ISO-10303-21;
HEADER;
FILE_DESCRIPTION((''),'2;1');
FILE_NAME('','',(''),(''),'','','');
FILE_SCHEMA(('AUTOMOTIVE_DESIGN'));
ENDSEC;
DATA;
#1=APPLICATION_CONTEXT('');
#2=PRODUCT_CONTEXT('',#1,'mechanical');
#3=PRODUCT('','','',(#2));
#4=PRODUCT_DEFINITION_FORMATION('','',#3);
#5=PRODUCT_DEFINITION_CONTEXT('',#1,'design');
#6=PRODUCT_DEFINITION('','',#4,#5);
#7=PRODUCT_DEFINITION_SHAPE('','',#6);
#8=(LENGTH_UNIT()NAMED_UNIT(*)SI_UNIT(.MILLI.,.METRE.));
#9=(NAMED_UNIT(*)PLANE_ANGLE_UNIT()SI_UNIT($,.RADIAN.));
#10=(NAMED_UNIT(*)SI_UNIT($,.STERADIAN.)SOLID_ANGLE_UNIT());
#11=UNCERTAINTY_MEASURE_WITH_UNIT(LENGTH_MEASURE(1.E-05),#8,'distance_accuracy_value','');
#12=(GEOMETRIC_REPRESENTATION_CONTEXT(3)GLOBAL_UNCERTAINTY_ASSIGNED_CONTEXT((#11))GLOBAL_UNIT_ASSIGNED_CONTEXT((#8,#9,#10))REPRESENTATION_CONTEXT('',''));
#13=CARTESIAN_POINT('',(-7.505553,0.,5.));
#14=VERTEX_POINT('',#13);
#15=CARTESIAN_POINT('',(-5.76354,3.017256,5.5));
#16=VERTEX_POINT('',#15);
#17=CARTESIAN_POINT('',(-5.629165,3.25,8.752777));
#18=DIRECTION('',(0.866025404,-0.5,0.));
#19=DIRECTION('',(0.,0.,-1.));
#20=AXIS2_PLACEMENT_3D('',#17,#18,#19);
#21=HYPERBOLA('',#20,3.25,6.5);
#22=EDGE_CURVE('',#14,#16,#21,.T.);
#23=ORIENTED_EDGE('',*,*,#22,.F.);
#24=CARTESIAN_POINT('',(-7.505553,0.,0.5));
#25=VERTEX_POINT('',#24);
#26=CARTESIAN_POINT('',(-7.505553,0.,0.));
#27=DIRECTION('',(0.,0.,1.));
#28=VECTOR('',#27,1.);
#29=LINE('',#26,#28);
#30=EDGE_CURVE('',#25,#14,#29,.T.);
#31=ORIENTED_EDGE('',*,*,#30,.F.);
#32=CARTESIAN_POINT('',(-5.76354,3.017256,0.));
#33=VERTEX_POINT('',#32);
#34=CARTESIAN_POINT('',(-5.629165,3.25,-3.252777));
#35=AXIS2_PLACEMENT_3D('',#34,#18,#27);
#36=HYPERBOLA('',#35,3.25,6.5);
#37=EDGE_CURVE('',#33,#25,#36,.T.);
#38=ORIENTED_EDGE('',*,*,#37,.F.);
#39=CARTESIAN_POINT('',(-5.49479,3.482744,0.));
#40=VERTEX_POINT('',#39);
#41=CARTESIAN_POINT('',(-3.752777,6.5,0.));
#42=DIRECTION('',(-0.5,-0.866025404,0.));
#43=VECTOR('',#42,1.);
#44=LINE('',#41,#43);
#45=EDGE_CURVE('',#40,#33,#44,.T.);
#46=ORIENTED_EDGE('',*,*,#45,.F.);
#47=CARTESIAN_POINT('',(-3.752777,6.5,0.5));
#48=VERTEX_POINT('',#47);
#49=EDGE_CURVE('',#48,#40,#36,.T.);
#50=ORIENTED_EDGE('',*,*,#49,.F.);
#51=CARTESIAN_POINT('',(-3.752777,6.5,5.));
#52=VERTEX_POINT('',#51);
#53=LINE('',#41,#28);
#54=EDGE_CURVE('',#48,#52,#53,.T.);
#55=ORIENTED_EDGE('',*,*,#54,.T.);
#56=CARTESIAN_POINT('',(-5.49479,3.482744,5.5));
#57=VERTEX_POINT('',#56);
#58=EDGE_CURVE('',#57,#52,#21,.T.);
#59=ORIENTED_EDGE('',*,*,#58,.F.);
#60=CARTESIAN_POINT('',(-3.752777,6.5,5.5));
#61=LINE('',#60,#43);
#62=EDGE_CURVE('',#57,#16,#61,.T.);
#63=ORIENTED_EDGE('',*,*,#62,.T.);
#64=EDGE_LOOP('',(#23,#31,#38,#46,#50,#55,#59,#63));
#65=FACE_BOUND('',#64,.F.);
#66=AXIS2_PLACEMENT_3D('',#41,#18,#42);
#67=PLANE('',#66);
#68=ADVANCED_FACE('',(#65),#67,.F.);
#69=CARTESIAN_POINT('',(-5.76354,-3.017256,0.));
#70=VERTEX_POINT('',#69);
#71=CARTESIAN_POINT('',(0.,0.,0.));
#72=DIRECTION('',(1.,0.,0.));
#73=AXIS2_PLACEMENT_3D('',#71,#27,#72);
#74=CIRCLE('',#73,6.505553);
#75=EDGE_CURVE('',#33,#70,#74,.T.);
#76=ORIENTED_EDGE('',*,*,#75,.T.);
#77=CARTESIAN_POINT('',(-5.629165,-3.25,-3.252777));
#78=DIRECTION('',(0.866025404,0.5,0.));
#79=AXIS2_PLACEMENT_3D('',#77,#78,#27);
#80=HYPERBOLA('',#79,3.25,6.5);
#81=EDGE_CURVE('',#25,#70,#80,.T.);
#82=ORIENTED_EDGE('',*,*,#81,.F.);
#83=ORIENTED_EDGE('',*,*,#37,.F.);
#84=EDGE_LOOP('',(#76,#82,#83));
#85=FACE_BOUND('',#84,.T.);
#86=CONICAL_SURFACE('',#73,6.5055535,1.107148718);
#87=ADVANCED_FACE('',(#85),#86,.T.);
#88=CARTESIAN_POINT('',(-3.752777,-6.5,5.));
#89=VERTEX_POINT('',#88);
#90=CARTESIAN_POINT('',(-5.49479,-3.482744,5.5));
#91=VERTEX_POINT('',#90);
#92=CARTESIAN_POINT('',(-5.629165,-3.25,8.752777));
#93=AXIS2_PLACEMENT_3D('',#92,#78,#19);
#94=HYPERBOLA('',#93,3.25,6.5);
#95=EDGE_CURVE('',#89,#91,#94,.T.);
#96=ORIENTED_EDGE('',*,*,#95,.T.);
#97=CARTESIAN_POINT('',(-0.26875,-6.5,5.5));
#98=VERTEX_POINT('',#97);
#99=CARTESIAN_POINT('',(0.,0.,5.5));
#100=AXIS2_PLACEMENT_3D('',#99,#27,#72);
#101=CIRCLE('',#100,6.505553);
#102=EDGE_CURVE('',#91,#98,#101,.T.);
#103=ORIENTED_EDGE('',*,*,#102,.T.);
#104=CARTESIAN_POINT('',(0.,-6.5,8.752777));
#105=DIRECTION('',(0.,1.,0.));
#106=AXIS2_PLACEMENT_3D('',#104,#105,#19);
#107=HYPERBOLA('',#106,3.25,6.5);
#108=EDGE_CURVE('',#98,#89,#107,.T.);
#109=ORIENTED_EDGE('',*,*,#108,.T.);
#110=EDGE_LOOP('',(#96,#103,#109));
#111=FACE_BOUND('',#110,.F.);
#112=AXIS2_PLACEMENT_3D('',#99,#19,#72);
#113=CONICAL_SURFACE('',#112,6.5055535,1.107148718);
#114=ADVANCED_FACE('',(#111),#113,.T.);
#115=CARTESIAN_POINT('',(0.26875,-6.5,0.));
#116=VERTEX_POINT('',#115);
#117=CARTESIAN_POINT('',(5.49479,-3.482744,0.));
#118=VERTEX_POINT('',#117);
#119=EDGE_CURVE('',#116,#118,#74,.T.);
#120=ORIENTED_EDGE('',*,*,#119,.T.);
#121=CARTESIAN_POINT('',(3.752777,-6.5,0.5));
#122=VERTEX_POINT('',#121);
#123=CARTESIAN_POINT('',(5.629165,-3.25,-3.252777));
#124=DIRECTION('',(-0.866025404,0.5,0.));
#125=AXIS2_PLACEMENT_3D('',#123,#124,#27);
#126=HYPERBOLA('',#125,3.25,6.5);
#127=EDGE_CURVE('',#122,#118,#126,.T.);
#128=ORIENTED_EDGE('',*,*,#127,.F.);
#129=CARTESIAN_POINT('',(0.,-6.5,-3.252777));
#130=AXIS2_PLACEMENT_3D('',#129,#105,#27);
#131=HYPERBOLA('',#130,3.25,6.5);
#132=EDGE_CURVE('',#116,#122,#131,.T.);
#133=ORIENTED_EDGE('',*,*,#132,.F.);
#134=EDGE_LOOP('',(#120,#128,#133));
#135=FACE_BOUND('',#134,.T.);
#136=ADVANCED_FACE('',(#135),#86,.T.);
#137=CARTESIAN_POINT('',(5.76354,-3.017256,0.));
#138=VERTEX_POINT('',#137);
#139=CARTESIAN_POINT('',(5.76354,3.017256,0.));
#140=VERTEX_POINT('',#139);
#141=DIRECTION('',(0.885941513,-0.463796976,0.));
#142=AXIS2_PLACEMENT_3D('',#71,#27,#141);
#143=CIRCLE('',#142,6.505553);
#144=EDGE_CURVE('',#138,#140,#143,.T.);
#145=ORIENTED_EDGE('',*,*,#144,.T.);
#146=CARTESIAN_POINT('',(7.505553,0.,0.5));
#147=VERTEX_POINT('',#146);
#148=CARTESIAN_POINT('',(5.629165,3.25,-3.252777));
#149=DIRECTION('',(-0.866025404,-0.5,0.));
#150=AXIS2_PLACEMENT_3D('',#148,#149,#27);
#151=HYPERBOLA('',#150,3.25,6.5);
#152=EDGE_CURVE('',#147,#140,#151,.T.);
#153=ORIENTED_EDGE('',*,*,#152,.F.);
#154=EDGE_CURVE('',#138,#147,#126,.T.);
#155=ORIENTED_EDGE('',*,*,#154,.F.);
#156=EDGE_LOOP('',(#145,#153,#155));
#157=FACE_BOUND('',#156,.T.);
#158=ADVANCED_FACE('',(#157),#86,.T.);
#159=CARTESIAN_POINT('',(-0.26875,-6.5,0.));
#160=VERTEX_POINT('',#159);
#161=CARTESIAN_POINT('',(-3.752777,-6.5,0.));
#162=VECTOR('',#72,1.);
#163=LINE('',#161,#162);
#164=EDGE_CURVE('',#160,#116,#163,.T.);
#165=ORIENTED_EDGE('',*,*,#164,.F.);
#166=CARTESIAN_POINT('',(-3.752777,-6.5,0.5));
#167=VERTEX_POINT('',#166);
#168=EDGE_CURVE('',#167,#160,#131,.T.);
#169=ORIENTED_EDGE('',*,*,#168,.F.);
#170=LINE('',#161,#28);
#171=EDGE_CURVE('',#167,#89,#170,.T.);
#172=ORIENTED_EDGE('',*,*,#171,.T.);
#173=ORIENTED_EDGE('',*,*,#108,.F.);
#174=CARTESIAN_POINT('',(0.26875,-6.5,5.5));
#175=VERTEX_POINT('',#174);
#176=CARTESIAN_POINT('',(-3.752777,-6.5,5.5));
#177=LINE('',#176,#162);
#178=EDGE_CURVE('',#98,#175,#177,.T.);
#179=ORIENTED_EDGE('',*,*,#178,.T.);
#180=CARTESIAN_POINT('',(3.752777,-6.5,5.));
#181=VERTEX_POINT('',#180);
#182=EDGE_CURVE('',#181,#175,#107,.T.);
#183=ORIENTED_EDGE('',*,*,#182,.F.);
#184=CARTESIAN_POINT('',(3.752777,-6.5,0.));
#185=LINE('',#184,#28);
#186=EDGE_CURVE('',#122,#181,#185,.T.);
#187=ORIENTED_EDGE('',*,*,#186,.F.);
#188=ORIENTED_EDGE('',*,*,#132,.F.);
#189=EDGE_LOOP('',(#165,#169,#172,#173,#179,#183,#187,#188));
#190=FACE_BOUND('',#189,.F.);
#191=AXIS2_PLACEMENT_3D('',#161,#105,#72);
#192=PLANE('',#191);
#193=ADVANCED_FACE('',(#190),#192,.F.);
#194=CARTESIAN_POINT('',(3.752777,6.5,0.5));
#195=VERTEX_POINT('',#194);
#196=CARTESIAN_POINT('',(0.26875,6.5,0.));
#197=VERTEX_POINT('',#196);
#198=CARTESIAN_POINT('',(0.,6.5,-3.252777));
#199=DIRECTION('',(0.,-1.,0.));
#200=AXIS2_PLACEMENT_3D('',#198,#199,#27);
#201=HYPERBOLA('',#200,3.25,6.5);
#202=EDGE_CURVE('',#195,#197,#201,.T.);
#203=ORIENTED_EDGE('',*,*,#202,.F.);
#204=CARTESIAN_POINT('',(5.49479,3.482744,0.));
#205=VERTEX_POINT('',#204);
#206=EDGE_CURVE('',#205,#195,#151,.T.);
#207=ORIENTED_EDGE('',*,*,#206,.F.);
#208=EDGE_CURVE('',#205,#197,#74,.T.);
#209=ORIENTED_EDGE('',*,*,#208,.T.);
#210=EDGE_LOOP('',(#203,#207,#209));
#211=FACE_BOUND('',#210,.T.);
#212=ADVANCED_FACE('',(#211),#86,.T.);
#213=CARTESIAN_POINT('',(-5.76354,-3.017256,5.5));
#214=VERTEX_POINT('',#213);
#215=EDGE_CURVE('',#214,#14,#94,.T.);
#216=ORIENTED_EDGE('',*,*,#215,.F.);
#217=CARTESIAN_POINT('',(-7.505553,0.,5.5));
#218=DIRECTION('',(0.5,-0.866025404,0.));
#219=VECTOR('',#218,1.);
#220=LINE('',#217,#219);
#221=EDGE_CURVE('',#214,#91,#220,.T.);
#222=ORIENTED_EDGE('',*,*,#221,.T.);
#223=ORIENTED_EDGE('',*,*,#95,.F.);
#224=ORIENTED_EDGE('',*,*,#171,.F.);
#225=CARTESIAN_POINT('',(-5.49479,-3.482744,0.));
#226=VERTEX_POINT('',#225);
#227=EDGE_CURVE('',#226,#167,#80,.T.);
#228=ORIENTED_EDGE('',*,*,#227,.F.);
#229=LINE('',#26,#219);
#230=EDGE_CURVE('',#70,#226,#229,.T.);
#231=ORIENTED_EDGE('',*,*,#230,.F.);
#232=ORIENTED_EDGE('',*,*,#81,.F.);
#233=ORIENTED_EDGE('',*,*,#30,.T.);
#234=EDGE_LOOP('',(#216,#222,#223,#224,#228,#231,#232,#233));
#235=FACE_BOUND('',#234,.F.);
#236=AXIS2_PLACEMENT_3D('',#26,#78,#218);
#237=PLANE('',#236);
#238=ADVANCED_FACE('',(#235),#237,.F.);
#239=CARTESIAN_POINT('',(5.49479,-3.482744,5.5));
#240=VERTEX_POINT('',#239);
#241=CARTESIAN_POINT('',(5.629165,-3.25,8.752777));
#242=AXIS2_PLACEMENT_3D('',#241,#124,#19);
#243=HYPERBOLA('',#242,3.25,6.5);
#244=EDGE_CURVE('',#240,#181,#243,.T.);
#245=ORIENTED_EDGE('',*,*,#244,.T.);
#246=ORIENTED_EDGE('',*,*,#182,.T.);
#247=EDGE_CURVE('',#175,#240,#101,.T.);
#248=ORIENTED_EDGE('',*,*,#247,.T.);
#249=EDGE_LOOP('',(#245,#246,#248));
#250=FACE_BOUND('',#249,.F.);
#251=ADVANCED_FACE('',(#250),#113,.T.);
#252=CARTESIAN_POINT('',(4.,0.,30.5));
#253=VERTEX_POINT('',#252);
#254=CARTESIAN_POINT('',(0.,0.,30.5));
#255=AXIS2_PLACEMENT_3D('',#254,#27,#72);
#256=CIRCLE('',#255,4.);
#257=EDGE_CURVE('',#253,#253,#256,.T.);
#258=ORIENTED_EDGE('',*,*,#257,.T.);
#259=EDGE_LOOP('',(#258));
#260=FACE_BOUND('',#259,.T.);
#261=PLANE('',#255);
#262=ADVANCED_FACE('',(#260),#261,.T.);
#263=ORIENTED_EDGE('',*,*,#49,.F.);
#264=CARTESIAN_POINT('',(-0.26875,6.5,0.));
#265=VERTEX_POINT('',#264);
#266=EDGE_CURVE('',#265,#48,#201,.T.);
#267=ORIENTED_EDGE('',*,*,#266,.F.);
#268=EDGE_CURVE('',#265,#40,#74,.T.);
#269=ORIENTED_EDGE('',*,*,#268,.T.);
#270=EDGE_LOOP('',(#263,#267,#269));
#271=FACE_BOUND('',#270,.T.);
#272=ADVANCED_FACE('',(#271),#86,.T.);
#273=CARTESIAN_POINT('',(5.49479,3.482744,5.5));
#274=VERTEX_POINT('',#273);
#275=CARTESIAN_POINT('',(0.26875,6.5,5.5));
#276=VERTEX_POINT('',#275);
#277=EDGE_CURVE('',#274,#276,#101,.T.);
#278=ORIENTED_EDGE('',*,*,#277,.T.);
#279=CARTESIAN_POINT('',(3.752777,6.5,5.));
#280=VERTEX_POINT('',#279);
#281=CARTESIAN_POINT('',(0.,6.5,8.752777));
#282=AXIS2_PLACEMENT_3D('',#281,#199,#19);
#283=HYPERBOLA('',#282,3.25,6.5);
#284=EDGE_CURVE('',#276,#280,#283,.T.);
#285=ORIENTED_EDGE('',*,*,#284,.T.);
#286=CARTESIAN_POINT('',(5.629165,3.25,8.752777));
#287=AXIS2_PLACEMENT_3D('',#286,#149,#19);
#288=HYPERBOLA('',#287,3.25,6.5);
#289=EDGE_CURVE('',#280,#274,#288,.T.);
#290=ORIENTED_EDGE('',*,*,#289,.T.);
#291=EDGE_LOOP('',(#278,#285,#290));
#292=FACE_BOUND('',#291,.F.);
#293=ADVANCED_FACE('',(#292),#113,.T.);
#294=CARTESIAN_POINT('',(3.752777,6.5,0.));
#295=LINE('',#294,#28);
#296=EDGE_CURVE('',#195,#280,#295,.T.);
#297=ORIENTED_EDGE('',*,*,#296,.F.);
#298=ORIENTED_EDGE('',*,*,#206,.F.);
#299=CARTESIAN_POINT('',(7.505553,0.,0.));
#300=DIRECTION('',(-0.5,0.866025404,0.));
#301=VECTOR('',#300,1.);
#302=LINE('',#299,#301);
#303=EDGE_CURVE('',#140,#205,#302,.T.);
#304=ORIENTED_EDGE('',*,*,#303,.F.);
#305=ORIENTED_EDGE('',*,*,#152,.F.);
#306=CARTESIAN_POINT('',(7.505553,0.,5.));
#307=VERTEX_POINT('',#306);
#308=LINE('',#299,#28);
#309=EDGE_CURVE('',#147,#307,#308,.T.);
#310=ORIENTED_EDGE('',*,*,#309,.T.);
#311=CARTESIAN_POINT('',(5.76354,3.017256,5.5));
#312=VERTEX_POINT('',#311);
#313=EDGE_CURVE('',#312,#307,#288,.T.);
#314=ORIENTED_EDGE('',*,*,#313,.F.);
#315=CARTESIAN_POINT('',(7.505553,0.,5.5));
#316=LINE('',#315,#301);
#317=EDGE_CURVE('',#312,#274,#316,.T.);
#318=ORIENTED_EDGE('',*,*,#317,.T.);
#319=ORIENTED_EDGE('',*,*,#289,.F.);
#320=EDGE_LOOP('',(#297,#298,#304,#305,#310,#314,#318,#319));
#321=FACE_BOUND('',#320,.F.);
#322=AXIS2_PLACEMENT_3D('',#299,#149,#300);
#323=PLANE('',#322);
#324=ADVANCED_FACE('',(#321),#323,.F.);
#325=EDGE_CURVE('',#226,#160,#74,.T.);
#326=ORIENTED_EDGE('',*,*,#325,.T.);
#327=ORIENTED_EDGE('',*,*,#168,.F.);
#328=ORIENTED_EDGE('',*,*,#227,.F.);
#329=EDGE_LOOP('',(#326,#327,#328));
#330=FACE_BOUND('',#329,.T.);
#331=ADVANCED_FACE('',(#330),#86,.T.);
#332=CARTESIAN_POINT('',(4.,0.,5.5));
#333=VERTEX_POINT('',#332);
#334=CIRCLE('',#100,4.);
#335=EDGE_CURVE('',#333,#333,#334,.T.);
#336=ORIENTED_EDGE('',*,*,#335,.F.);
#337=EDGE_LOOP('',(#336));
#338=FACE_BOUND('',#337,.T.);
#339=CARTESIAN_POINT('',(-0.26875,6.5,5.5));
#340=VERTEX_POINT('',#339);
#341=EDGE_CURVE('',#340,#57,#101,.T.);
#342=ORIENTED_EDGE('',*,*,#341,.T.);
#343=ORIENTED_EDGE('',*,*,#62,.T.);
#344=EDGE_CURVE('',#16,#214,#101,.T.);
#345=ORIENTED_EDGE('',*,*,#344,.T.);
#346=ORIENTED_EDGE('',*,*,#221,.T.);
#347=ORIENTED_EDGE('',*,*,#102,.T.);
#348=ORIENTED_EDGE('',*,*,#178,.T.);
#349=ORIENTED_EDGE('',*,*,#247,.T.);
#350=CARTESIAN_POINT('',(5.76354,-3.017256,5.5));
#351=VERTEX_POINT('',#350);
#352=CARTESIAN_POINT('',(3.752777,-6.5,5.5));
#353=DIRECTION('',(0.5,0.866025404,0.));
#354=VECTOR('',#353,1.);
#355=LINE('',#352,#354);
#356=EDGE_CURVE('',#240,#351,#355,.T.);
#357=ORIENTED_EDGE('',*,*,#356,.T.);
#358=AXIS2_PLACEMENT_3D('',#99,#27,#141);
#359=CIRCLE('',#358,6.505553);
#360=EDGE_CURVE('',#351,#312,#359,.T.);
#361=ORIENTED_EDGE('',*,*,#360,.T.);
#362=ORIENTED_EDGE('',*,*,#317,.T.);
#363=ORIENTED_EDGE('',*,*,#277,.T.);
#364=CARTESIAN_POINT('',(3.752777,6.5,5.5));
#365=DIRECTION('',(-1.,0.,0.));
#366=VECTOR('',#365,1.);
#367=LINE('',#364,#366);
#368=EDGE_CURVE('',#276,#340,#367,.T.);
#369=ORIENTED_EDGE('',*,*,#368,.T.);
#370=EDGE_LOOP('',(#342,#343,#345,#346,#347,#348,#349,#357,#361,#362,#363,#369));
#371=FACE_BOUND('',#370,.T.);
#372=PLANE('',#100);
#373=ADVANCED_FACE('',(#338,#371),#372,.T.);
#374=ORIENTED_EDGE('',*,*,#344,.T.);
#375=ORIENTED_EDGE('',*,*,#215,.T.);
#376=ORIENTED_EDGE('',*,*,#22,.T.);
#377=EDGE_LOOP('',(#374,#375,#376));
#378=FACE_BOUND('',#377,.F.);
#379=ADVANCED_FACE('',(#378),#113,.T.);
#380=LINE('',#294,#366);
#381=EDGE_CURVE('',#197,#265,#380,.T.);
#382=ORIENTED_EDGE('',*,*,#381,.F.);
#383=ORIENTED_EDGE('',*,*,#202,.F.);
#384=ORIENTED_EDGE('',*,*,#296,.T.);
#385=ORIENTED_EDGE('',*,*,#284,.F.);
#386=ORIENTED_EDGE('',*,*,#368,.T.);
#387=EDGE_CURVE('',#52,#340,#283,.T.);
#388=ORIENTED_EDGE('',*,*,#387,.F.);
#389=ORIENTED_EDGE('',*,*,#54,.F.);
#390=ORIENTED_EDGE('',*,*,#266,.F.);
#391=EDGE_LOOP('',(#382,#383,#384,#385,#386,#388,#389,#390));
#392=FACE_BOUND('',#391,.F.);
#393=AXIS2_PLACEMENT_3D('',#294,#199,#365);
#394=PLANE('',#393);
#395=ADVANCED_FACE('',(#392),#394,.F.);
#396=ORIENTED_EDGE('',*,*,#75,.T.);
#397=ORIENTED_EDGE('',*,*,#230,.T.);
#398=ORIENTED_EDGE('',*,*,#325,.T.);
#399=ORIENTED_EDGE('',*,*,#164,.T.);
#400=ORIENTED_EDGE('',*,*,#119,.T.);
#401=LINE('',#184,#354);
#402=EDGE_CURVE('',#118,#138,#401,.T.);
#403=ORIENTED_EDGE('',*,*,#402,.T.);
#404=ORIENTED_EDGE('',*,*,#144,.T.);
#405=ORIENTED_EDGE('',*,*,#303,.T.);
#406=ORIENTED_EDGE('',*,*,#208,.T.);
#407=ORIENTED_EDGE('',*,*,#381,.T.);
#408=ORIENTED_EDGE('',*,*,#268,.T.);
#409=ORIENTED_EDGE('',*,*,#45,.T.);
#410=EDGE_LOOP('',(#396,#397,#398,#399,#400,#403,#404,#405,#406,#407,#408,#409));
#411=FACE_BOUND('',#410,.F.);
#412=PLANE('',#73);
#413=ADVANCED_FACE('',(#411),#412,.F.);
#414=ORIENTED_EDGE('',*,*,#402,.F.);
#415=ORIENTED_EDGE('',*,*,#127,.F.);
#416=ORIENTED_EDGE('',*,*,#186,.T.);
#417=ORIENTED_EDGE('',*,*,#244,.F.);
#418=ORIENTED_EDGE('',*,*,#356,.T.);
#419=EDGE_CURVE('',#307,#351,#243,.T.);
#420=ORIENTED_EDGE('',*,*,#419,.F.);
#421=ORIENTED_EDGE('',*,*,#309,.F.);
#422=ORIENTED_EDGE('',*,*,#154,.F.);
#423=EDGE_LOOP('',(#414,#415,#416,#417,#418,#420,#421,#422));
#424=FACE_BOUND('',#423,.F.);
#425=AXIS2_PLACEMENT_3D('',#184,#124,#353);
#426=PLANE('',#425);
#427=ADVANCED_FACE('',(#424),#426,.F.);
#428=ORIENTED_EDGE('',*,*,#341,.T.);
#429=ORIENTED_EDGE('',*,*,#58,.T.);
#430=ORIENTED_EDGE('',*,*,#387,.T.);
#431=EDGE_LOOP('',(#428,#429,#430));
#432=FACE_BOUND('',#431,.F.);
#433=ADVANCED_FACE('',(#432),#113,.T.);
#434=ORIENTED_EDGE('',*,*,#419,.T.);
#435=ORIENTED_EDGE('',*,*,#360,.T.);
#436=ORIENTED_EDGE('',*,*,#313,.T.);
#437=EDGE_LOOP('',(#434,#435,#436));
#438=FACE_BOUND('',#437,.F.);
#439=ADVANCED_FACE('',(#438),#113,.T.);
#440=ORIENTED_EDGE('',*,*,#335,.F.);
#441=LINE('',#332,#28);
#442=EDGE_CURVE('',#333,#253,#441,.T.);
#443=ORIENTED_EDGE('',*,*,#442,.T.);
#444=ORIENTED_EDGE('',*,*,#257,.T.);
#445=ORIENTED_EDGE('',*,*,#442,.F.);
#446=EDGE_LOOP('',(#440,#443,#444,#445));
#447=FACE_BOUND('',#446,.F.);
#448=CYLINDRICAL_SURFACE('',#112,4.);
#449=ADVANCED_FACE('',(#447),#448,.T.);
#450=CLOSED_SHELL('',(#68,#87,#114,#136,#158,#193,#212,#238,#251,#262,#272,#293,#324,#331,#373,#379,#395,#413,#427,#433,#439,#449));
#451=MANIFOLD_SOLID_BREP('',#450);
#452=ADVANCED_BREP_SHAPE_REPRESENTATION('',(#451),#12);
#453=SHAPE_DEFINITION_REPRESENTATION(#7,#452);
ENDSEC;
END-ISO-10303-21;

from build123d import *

# Parameters (mm, degrees)
PAD008_DEPTH = 5.5
SKETCH029_R  = 4
PAD009_DEPTH = 25


with BuildPart() as part:
    # Sketch028 → Pad008 (new body)
    with BuildSketch(Plane.XY):
        Polygon((7.5055534995, 0), (3.7527767497, 6.5), (-3.7527767497, 6.5), (-7.5055534995, 0), (-3.7527767497, -6.5), (3.7527767497, -6.5), align=None)
    extrude(amount=PAD008_DEPTH)

    # Sketch029 (on Face8 of Pad008) → Pad009 (join)
    with BuildSketch(Plane.XY.offset(5.5)):
        Circle(SKETCH029_R)
    extrude(amount=PAD009_DEPTH)

    # Sketch030 → Groove001 (revolve, cut)
    with BuildSketch(Plane.XZ):
        Polygon((4, 30.5), (3.5, 30.5), (4, 31), align=None)
        Polygon((7.5055534995, 5.5), (6.5055534995, 5.5), (7.5055534995, 5), align=None)
        Polygon((7.5055534995, 0), (6.5055534995, 0), (7.5055534995, 0.5), align=None)
    revolve(axis=Axis((0, 0, 0), (0, 0, 1)), mode=Mode.SUBTRACT)


solid = part.part
